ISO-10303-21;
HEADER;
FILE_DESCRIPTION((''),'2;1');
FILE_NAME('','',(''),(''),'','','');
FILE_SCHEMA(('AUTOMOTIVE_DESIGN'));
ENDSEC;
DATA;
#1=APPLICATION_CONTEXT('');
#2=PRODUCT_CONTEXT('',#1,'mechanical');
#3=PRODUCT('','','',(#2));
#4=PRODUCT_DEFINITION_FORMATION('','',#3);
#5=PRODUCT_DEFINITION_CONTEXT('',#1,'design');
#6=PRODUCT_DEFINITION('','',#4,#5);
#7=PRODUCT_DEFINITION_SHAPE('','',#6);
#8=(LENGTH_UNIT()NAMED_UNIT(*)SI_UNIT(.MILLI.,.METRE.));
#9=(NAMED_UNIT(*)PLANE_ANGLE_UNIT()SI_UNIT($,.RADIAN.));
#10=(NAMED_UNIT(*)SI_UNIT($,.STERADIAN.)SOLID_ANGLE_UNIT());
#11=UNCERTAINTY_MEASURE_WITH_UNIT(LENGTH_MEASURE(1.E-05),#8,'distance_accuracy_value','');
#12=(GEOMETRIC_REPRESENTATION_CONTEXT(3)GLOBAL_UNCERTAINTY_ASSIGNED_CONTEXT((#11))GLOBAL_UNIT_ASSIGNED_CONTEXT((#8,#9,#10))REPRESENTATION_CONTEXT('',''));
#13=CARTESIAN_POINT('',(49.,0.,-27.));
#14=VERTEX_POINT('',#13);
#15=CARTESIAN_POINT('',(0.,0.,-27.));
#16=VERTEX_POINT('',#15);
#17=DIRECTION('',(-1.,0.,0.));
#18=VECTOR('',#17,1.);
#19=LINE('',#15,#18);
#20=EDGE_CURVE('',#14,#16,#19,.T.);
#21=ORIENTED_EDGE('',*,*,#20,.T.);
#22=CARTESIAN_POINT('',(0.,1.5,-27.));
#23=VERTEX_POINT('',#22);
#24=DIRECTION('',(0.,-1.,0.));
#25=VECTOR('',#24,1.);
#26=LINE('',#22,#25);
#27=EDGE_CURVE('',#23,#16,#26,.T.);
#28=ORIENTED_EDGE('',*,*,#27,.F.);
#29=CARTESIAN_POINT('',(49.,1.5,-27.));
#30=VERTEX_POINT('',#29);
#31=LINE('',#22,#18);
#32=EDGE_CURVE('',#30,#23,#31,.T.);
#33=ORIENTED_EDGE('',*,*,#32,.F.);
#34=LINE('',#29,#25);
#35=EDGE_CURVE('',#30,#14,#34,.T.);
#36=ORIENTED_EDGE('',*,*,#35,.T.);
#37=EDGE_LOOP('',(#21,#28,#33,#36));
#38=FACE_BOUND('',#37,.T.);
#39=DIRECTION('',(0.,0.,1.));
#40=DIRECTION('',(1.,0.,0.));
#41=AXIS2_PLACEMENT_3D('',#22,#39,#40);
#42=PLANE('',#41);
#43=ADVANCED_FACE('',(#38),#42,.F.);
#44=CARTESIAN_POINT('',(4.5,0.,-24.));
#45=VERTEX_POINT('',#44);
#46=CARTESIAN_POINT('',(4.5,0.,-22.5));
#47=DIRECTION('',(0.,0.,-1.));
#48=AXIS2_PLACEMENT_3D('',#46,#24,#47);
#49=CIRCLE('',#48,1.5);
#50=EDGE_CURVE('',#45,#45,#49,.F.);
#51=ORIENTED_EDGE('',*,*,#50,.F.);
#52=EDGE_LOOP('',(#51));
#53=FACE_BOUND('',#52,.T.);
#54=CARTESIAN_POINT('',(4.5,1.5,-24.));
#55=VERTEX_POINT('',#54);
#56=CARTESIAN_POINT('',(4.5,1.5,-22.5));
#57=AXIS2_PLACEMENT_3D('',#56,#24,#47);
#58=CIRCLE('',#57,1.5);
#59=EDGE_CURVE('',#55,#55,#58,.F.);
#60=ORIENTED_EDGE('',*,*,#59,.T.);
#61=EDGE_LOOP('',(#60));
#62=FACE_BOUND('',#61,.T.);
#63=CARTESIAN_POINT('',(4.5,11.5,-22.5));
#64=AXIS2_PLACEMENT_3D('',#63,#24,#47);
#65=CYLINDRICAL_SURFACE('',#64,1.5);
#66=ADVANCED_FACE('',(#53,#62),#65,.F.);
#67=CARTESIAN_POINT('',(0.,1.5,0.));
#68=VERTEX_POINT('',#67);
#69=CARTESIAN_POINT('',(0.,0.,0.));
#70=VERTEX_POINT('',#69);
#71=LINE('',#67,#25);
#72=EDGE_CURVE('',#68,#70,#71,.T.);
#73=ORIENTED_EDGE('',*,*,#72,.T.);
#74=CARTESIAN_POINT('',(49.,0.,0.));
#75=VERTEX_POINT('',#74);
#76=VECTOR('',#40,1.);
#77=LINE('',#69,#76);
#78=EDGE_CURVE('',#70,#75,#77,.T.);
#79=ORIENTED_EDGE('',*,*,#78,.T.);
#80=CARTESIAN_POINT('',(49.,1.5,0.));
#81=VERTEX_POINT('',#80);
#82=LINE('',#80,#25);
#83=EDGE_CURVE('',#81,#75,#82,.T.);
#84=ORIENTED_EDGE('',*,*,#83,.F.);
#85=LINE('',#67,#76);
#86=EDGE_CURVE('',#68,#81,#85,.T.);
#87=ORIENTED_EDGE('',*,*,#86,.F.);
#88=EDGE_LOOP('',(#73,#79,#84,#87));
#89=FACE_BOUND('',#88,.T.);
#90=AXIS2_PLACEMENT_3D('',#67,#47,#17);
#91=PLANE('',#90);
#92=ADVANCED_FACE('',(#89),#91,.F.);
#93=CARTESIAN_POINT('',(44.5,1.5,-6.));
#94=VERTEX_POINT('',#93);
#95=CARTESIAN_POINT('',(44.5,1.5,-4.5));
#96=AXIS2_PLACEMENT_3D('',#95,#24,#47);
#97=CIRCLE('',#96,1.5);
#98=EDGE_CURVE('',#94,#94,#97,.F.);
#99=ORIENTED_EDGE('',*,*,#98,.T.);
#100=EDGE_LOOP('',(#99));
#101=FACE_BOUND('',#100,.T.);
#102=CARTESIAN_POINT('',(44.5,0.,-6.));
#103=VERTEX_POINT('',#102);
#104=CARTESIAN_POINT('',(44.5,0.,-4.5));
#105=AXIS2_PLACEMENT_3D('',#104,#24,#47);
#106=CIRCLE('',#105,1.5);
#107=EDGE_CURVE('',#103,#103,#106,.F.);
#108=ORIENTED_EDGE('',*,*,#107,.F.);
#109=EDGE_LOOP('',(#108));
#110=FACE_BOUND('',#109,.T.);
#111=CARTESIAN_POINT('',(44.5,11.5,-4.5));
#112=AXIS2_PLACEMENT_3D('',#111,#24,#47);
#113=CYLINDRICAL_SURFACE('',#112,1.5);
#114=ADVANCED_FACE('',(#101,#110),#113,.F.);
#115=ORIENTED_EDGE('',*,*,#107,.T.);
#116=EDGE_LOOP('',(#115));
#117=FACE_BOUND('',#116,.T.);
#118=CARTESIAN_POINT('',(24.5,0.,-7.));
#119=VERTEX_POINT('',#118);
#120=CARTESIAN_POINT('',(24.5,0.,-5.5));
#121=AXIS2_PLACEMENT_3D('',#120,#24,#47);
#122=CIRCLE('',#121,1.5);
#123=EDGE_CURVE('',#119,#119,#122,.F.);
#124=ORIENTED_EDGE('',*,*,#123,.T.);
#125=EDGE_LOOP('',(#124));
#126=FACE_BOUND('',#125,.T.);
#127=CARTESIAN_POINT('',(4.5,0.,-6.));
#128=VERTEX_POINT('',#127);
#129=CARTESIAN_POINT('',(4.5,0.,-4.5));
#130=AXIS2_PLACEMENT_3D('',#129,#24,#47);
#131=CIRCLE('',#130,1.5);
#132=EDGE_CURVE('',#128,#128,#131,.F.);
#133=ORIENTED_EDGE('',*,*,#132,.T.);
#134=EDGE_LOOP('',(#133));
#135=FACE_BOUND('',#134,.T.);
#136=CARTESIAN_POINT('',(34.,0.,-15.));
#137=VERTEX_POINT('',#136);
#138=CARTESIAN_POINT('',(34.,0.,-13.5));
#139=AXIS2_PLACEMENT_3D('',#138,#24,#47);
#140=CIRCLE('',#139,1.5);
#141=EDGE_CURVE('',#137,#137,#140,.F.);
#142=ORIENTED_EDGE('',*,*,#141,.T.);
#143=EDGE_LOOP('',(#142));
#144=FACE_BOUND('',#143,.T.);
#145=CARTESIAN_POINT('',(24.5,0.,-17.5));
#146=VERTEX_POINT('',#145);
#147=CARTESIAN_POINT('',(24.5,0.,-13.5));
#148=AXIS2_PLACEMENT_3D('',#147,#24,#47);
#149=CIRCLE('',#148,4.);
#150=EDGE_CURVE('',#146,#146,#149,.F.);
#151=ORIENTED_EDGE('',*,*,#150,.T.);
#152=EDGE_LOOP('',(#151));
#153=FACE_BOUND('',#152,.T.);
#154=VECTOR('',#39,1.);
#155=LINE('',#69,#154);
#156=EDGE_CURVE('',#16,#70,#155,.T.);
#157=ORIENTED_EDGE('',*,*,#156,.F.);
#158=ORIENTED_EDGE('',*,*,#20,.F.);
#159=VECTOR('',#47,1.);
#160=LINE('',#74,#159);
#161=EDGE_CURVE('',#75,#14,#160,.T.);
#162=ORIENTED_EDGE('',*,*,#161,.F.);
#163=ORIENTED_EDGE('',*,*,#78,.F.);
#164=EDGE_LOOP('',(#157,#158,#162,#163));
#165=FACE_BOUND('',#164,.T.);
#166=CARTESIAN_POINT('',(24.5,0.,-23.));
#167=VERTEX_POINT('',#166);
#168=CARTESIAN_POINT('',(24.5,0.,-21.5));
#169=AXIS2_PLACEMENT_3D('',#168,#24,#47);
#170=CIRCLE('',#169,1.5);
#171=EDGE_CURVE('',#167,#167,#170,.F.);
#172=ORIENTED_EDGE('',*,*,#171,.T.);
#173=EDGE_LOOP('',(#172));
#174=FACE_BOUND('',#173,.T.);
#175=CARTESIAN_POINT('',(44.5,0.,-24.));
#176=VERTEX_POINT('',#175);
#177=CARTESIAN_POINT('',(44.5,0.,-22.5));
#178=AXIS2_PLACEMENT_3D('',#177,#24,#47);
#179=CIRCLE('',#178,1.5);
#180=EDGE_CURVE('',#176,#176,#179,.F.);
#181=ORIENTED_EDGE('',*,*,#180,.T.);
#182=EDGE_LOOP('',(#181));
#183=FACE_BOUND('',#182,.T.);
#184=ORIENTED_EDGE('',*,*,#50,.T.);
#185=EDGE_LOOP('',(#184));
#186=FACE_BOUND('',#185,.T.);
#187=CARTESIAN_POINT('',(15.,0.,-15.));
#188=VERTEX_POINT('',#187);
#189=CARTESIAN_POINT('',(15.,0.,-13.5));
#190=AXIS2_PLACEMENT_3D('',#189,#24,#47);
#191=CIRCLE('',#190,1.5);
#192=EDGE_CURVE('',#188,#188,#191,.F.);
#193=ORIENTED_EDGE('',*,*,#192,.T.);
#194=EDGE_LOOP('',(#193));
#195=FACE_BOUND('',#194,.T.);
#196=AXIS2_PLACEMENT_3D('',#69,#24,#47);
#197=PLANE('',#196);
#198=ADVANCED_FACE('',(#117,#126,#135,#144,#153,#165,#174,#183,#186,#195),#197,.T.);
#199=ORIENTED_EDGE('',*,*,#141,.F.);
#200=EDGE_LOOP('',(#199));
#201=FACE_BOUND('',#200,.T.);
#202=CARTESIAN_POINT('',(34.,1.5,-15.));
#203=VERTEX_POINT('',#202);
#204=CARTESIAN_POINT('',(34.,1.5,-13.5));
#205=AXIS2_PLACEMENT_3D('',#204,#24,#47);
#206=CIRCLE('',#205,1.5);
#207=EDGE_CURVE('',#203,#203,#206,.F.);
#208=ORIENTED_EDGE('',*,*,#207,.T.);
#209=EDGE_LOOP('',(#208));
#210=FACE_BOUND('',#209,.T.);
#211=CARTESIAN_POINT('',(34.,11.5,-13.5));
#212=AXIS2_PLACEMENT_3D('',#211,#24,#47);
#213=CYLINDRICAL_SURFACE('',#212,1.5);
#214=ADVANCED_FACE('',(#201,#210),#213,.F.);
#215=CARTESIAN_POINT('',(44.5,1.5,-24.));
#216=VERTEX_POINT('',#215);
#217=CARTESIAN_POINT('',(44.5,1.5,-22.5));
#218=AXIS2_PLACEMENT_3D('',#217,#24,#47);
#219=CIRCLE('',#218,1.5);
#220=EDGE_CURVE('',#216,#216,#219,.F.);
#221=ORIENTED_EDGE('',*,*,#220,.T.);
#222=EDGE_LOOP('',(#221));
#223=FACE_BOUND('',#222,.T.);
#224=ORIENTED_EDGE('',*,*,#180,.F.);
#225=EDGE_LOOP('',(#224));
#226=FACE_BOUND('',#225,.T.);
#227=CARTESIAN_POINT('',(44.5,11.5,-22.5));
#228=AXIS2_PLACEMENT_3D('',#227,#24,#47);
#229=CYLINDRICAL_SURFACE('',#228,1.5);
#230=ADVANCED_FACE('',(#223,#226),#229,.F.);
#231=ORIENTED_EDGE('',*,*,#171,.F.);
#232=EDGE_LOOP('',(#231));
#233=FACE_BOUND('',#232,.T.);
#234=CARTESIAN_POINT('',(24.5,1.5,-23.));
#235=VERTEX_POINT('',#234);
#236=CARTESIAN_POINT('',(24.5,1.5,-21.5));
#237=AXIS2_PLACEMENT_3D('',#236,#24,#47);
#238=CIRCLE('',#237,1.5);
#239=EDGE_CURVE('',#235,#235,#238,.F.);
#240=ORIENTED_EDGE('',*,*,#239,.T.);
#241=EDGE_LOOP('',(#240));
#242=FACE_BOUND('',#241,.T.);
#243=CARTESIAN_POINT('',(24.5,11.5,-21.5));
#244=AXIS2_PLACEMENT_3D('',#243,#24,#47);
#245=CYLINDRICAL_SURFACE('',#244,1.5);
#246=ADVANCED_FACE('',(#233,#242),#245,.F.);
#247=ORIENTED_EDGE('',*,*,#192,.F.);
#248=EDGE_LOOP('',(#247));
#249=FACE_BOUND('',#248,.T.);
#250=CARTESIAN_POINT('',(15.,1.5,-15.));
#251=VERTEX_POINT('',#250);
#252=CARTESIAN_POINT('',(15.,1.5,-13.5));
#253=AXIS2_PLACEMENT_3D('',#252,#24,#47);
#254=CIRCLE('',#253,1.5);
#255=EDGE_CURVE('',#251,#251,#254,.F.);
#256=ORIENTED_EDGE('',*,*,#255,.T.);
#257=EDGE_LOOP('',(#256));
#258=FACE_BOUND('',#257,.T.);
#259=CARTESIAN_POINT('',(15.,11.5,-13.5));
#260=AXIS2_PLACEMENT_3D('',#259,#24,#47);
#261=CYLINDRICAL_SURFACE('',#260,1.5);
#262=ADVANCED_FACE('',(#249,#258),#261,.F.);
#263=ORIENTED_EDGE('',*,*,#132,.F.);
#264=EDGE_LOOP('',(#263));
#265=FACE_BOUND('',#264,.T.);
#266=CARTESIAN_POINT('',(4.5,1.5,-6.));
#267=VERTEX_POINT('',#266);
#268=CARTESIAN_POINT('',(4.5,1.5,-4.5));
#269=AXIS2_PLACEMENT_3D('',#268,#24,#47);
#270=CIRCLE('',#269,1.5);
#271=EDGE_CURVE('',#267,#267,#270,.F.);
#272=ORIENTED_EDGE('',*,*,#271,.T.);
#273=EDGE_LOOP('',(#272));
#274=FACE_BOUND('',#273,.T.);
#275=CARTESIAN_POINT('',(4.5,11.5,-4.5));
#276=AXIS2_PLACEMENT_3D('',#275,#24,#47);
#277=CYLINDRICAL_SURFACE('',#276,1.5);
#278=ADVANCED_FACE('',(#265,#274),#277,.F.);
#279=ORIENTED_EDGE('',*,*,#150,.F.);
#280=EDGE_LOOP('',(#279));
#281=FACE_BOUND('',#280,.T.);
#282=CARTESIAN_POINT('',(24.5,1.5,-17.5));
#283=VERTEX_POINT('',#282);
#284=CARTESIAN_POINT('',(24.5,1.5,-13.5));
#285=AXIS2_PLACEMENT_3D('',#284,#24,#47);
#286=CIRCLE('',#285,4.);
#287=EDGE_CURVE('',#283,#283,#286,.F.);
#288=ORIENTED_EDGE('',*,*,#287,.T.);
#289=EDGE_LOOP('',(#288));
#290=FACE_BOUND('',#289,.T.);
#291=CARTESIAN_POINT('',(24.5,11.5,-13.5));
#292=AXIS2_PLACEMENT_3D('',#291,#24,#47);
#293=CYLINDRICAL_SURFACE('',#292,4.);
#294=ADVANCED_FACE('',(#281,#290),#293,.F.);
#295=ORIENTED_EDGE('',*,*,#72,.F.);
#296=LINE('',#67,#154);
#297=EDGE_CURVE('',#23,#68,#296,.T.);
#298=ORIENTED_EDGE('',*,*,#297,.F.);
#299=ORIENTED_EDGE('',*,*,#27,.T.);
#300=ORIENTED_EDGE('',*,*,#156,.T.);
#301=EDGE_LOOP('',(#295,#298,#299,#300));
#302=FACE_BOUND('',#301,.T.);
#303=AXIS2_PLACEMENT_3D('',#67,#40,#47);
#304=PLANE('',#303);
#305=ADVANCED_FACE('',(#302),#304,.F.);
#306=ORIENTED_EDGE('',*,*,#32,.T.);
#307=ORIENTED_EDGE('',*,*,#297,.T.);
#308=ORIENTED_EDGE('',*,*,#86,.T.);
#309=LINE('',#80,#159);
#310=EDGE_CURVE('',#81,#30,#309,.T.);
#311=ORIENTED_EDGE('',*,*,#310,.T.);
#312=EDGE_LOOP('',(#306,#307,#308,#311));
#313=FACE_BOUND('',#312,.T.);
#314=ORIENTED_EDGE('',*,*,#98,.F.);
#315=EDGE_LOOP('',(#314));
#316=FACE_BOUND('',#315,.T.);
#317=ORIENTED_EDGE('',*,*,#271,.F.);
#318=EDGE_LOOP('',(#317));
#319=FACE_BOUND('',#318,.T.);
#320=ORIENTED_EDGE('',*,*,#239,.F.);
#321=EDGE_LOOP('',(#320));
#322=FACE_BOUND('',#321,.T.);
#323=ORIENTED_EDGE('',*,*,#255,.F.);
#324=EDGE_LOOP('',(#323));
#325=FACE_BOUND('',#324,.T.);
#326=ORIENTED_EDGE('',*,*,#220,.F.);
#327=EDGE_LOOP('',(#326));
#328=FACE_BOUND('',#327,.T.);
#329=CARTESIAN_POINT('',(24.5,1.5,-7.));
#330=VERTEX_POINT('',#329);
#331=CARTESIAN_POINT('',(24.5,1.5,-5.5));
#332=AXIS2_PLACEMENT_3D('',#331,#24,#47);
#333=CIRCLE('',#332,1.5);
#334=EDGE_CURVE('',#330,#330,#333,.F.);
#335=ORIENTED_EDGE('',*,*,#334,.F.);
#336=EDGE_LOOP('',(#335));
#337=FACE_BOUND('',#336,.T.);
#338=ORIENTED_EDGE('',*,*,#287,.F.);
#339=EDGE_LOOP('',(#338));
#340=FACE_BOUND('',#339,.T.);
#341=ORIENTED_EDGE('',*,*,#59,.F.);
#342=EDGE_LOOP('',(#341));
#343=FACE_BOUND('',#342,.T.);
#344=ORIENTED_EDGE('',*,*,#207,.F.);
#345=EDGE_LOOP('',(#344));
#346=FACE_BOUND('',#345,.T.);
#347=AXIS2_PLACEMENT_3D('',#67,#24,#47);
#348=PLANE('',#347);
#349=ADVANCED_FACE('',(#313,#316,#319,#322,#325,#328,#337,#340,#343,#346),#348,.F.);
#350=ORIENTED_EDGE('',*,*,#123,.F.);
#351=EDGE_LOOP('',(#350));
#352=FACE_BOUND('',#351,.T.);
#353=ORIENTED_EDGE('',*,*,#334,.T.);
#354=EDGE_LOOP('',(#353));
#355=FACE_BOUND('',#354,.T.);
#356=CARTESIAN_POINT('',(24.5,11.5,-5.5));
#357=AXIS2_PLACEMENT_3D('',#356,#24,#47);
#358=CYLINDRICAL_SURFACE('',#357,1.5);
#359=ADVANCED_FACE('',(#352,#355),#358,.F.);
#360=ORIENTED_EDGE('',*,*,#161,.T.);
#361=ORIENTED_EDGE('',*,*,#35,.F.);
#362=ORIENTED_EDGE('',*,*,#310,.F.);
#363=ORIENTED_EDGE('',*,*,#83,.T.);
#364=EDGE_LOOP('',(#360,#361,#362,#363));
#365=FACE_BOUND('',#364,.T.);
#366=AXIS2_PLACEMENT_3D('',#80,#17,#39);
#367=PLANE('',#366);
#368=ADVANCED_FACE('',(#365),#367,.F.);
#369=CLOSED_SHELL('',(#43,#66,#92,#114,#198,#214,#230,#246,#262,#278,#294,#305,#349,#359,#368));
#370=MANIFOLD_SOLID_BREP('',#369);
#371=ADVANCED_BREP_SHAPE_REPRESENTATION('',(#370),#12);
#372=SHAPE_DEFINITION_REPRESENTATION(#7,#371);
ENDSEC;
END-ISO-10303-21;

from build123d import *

# Parameters (mm, degrees)
SKETCH1_W               = 49
SKETCH1_H               = 27
BOSS_EXTRUDE1_DEPTH     = 1.5
CUT_EXTRUDE1_DEPTH      = 10
CUT_EXTRUDE1_DEPTH_BACK = 10
SKETCH2_R               = 1.5
CUT_EXTRUDE2_DEPTH      = 10
CUT_EXTRUDE2_DEPTH_BACK = 10
SKETCH3_R               = 1.5
SKETCH3_R_2             = 4


with BuildPart() as part:
    # Sketch1 → Boss-Extrude1 (new body)
    with BuildSketch(Plane(origin=(0, 0, 0), x_dir=(1, 0, 0), z_dir=(0, 1, 0))):
        with Locations((24.5, 13.5)):
            Rectangle(SKETCH1_W, SKETCH1_H)
    extrude(amount=BOSS_EXTRUDE1_DEPTH)

    # Sketch2 → Cut-Extrude1 (cut, two sides: drawn at the far end of the back side and taken through both)
    with BuildSketch(Plane(origin=(0, 1.5, 0), x_dir=(1, 0, 0), z_dir=(0, 1, 0)).offset(-CUT_EXTRUDE1_DEPTH_BACK)):
        with Locations((4.5, 22.5)):
            Circle(SKETCH2_R)
        with Locations((4.5, 4.5)):
            Circle(SKETCH2_R)
        with Locations((44.5, 4.5)):
            Circle(SKETCH2_R)
        with Locations((44.5, 22.5)):
            Circle(SKETCH2_R)
    extrude(amount=CUT_EXTRUDE1_DEPTH + CUT_EXTRUDE1_DEPTH_BACK, mode=Mode.SUBTRACT)

    # Sketch3 → Cut-Extrude2 (cut, two sides: drawn at the far end of the back side and taken through both)
    with BuildSketch(Plane(origin=(0, 1.5, 0), x_dir=(1, 0, 0), z_dir=(0, 1, 0)).offset(-CUT_EXTRUDE2_DEPTH_BACK)):
        with Locations((15, 13.5)):
            Circle(SKETCH3_R)
        with Locations((34, 13.5)):
            Circle(SKETCH3_R)
        with Locations((24.5, 21.5)):
            Circle(SKETCH3_R)
        with Locations((24.5, 5.5)):
            Circle(SKETCH3_R)
        with Locations((24.5, 13.5)):
            Circle(SKETCH3_R_2)
    extrude(amount=CUT_EXTRUDE2_DEPTH + CUT_EXTRUDE2_DEPTH_BACK, mode=Mode.SUBTRACT)


solid = part.part
